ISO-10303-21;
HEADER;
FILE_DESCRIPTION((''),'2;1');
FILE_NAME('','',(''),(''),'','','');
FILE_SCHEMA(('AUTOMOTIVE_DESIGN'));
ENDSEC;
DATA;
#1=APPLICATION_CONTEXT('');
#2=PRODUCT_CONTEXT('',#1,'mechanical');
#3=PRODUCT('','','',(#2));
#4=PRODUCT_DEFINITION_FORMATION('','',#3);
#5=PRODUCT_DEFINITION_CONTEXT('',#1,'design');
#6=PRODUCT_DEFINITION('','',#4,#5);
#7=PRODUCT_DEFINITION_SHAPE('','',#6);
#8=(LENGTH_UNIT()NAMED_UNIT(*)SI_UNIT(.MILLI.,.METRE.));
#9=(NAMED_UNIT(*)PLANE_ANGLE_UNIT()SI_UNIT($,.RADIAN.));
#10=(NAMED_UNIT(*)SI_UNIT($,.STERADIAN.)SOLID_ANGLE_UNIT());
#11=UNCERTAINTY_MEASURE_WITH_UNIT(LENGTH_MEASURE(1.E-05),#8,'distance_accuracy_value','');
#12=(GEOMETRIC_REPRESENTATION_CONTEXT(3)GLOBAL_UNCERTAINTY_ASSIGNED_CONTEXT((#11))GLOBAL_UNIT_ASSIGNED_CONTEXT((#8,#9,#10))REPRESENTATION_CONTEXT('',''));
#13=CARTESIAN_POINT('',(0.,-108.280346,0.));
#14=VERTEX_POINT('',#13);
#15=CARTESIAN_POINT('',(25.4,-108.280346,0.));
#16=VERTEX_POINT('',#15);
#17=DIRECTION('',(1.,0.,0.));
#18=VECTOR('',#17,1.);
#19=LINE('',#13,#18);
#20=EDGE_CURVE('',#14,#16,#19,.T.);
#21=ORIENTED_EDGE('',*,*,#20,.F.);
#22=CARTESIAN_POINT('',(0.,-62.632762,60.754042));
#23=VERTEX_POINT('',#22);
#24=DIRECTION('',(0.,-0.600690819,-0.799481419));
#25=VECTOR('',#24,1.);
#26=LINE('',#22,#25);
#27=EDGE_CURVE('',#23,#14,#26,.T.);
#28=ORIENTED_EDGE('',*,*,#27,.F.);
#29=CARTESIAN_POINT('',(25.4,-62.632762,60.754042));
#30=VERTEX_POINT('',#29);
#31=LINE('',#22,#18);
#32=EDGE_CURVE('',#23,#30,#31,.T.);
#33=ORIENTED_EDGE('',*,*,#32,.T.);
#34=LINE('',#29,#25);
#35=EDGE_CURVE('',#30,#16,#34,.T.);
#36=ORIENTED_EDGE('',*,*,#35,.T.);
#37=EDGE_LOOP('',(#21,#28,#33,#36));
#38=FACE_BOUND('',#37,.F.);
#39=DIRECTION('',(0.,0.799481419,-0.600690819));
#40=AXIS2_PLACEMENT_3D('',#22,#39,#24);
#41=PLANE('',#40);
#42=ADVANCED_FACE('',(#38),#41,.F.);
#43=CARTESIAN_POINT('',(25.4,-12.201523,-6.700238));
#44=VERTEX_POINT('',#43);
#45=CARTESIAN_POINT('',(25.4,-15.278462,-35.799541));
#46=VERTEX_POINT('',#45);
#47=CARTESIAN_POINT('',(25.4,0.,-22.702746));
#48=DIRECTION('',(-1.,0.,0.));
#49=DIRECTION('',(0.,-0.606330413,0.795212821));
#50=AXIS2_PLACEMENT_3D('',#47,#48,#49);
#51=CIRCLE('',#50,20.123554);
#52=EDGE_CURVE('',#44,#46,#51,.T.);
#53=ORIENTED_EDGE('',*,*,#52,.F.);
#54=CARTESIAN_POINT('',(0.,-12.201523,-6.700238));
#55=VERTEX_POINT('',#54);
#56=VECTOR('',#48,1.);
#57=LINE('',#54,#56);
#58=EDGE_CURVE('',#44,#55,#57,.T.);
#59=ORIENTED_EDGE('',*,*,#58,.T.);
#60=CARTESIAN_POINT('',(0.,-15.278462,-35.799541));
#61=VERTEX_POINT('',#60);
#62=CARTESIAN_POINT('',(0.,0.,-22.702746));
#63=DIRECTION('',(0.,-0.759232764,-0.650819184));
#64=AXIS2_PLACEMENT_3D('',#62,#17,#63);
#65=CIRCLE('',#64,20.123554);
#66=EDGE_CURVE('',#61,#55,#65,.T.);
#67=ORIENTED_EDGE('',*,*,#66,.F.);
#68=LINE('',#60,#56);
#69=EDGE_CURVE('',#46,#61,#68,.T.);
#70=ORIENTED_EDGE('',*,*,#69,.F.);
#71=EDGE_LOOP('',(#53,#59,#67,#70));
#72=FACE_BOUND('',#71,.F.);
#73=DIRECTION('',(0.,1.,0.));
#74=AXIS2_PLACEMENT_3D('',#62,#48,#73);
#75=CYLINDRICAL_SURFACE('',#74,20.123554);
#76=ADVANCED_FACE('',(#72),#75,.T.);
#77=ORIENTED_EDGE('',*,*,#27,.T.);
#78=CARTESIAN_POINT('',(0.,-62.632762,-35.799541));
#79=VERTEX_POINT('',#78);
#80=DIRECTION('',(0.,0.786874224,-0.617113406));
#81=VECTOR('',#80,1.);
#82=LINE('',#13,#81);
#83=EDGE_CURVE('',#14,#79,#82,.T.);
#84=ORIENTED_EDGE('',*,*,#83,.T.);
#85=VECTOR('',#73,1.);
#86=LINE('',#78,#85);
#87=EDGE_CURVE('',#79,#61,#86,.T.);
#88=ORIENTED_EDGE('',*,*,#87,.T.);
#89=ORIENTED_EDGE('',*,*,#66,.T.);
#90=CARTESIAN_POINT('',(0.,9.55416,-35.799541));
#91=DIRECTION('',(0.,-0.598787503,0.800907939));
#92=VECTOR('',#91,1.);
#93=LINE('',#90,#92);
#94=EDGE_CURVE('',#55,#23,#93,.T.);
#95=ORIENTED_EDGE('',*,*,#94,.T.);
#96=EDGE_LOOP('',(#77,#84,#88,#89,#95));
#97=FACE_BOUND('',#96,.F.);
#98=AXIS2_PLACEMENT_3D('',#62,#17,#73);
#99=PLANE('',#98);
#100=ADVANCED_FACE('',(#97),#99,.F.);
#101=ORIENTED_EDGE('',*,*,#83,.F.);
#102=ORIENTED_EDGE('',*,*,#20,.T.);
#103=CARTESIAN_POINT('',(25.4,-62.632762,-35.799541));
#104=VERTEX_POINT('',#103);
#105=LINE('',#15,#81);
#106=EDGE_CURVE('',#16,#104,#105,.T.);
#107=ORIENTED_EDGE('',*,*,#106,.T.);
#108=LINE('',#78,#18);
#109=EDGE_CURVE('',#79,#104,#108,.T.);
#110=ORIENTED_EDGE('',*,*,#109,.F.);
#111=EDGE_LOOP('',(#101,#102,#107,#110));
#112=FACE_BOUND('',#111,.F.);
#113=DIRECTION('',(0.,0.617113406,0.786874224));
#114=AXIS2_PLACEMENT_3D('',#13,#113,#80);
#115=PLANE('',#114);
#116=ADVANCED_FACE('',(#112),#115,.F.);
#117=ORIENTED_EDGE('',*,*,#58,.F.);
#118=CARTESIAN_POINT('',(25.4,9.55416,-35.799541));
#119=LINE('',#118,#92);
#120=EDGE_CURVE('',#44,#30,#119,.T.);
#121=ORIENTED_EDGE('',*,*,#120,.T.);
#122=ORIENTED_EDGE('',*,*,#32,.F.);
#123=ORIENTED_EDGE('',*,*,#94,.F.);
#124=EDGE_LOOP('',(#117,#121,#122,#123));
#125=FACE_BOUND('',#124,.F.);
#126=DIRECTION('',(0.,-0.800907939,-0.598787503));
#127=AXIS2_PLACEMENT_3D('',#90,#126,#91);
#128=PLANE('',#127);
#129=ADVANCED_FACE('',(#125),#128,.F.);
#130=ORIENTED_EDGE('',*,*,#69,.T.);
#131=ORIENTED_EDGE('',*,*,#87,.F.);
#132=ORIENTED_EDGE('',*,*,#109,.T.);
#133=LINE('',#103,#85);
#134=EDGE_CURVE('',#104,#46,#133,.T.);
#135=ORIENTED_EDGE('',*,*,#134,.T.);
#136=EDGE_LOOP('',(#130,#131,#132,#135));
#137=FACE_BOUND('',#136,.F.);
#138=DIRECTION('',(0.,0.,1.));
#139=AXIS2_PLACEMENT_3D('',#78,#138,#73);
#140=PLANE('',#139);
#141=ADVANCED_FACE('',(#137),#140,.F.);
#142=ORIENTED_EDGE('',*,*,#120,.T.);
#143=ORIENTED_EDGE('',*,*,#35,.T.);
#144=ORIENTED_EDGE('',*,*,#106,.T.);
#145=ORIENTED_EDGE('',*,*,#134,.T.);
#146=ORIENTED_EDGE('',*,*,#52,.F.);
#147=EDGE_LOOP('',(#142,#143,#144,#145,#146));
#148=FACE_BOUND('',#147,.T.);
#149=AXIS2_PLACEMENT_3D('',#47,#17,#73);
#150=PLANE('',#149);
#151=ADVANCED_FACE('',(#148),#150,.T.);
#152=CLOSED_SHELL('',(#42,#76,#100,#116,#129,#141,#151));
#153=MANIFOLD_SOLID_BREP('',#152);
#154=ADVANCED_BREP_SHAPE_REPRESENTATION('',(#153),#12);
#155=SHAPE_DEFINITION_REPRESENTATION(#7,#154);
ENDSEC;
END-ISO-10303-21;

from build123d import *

# Parameters (mm, degrees)
F1_DEPTH = 25.4
F2_R     = 20.123554
F3_DEPTH = 25.4


with BuildPart() as f1:
    # F0 (on Right) → F1 (new body)
    with BuildSketch(Plane.YZ):
        Polygon((-62.632762, 60.754042), (-62.632762, -35.799541), (9.55416, -35.799541), align=None)
        Polygon((-62.632762, 60.754042), (-108.280346, 0), (-62.632762, -35.799541), align=None)
    extrude(amount=F1_DEPTH)

    # F2 (on Right) → F3 (join)
    with BuildSketch(Plane.YZ):
        with Locations((0, -22.702746)):
            Circle(F2_R)
    extrude(amount=F3_DEPTH)


solid = f1.part
